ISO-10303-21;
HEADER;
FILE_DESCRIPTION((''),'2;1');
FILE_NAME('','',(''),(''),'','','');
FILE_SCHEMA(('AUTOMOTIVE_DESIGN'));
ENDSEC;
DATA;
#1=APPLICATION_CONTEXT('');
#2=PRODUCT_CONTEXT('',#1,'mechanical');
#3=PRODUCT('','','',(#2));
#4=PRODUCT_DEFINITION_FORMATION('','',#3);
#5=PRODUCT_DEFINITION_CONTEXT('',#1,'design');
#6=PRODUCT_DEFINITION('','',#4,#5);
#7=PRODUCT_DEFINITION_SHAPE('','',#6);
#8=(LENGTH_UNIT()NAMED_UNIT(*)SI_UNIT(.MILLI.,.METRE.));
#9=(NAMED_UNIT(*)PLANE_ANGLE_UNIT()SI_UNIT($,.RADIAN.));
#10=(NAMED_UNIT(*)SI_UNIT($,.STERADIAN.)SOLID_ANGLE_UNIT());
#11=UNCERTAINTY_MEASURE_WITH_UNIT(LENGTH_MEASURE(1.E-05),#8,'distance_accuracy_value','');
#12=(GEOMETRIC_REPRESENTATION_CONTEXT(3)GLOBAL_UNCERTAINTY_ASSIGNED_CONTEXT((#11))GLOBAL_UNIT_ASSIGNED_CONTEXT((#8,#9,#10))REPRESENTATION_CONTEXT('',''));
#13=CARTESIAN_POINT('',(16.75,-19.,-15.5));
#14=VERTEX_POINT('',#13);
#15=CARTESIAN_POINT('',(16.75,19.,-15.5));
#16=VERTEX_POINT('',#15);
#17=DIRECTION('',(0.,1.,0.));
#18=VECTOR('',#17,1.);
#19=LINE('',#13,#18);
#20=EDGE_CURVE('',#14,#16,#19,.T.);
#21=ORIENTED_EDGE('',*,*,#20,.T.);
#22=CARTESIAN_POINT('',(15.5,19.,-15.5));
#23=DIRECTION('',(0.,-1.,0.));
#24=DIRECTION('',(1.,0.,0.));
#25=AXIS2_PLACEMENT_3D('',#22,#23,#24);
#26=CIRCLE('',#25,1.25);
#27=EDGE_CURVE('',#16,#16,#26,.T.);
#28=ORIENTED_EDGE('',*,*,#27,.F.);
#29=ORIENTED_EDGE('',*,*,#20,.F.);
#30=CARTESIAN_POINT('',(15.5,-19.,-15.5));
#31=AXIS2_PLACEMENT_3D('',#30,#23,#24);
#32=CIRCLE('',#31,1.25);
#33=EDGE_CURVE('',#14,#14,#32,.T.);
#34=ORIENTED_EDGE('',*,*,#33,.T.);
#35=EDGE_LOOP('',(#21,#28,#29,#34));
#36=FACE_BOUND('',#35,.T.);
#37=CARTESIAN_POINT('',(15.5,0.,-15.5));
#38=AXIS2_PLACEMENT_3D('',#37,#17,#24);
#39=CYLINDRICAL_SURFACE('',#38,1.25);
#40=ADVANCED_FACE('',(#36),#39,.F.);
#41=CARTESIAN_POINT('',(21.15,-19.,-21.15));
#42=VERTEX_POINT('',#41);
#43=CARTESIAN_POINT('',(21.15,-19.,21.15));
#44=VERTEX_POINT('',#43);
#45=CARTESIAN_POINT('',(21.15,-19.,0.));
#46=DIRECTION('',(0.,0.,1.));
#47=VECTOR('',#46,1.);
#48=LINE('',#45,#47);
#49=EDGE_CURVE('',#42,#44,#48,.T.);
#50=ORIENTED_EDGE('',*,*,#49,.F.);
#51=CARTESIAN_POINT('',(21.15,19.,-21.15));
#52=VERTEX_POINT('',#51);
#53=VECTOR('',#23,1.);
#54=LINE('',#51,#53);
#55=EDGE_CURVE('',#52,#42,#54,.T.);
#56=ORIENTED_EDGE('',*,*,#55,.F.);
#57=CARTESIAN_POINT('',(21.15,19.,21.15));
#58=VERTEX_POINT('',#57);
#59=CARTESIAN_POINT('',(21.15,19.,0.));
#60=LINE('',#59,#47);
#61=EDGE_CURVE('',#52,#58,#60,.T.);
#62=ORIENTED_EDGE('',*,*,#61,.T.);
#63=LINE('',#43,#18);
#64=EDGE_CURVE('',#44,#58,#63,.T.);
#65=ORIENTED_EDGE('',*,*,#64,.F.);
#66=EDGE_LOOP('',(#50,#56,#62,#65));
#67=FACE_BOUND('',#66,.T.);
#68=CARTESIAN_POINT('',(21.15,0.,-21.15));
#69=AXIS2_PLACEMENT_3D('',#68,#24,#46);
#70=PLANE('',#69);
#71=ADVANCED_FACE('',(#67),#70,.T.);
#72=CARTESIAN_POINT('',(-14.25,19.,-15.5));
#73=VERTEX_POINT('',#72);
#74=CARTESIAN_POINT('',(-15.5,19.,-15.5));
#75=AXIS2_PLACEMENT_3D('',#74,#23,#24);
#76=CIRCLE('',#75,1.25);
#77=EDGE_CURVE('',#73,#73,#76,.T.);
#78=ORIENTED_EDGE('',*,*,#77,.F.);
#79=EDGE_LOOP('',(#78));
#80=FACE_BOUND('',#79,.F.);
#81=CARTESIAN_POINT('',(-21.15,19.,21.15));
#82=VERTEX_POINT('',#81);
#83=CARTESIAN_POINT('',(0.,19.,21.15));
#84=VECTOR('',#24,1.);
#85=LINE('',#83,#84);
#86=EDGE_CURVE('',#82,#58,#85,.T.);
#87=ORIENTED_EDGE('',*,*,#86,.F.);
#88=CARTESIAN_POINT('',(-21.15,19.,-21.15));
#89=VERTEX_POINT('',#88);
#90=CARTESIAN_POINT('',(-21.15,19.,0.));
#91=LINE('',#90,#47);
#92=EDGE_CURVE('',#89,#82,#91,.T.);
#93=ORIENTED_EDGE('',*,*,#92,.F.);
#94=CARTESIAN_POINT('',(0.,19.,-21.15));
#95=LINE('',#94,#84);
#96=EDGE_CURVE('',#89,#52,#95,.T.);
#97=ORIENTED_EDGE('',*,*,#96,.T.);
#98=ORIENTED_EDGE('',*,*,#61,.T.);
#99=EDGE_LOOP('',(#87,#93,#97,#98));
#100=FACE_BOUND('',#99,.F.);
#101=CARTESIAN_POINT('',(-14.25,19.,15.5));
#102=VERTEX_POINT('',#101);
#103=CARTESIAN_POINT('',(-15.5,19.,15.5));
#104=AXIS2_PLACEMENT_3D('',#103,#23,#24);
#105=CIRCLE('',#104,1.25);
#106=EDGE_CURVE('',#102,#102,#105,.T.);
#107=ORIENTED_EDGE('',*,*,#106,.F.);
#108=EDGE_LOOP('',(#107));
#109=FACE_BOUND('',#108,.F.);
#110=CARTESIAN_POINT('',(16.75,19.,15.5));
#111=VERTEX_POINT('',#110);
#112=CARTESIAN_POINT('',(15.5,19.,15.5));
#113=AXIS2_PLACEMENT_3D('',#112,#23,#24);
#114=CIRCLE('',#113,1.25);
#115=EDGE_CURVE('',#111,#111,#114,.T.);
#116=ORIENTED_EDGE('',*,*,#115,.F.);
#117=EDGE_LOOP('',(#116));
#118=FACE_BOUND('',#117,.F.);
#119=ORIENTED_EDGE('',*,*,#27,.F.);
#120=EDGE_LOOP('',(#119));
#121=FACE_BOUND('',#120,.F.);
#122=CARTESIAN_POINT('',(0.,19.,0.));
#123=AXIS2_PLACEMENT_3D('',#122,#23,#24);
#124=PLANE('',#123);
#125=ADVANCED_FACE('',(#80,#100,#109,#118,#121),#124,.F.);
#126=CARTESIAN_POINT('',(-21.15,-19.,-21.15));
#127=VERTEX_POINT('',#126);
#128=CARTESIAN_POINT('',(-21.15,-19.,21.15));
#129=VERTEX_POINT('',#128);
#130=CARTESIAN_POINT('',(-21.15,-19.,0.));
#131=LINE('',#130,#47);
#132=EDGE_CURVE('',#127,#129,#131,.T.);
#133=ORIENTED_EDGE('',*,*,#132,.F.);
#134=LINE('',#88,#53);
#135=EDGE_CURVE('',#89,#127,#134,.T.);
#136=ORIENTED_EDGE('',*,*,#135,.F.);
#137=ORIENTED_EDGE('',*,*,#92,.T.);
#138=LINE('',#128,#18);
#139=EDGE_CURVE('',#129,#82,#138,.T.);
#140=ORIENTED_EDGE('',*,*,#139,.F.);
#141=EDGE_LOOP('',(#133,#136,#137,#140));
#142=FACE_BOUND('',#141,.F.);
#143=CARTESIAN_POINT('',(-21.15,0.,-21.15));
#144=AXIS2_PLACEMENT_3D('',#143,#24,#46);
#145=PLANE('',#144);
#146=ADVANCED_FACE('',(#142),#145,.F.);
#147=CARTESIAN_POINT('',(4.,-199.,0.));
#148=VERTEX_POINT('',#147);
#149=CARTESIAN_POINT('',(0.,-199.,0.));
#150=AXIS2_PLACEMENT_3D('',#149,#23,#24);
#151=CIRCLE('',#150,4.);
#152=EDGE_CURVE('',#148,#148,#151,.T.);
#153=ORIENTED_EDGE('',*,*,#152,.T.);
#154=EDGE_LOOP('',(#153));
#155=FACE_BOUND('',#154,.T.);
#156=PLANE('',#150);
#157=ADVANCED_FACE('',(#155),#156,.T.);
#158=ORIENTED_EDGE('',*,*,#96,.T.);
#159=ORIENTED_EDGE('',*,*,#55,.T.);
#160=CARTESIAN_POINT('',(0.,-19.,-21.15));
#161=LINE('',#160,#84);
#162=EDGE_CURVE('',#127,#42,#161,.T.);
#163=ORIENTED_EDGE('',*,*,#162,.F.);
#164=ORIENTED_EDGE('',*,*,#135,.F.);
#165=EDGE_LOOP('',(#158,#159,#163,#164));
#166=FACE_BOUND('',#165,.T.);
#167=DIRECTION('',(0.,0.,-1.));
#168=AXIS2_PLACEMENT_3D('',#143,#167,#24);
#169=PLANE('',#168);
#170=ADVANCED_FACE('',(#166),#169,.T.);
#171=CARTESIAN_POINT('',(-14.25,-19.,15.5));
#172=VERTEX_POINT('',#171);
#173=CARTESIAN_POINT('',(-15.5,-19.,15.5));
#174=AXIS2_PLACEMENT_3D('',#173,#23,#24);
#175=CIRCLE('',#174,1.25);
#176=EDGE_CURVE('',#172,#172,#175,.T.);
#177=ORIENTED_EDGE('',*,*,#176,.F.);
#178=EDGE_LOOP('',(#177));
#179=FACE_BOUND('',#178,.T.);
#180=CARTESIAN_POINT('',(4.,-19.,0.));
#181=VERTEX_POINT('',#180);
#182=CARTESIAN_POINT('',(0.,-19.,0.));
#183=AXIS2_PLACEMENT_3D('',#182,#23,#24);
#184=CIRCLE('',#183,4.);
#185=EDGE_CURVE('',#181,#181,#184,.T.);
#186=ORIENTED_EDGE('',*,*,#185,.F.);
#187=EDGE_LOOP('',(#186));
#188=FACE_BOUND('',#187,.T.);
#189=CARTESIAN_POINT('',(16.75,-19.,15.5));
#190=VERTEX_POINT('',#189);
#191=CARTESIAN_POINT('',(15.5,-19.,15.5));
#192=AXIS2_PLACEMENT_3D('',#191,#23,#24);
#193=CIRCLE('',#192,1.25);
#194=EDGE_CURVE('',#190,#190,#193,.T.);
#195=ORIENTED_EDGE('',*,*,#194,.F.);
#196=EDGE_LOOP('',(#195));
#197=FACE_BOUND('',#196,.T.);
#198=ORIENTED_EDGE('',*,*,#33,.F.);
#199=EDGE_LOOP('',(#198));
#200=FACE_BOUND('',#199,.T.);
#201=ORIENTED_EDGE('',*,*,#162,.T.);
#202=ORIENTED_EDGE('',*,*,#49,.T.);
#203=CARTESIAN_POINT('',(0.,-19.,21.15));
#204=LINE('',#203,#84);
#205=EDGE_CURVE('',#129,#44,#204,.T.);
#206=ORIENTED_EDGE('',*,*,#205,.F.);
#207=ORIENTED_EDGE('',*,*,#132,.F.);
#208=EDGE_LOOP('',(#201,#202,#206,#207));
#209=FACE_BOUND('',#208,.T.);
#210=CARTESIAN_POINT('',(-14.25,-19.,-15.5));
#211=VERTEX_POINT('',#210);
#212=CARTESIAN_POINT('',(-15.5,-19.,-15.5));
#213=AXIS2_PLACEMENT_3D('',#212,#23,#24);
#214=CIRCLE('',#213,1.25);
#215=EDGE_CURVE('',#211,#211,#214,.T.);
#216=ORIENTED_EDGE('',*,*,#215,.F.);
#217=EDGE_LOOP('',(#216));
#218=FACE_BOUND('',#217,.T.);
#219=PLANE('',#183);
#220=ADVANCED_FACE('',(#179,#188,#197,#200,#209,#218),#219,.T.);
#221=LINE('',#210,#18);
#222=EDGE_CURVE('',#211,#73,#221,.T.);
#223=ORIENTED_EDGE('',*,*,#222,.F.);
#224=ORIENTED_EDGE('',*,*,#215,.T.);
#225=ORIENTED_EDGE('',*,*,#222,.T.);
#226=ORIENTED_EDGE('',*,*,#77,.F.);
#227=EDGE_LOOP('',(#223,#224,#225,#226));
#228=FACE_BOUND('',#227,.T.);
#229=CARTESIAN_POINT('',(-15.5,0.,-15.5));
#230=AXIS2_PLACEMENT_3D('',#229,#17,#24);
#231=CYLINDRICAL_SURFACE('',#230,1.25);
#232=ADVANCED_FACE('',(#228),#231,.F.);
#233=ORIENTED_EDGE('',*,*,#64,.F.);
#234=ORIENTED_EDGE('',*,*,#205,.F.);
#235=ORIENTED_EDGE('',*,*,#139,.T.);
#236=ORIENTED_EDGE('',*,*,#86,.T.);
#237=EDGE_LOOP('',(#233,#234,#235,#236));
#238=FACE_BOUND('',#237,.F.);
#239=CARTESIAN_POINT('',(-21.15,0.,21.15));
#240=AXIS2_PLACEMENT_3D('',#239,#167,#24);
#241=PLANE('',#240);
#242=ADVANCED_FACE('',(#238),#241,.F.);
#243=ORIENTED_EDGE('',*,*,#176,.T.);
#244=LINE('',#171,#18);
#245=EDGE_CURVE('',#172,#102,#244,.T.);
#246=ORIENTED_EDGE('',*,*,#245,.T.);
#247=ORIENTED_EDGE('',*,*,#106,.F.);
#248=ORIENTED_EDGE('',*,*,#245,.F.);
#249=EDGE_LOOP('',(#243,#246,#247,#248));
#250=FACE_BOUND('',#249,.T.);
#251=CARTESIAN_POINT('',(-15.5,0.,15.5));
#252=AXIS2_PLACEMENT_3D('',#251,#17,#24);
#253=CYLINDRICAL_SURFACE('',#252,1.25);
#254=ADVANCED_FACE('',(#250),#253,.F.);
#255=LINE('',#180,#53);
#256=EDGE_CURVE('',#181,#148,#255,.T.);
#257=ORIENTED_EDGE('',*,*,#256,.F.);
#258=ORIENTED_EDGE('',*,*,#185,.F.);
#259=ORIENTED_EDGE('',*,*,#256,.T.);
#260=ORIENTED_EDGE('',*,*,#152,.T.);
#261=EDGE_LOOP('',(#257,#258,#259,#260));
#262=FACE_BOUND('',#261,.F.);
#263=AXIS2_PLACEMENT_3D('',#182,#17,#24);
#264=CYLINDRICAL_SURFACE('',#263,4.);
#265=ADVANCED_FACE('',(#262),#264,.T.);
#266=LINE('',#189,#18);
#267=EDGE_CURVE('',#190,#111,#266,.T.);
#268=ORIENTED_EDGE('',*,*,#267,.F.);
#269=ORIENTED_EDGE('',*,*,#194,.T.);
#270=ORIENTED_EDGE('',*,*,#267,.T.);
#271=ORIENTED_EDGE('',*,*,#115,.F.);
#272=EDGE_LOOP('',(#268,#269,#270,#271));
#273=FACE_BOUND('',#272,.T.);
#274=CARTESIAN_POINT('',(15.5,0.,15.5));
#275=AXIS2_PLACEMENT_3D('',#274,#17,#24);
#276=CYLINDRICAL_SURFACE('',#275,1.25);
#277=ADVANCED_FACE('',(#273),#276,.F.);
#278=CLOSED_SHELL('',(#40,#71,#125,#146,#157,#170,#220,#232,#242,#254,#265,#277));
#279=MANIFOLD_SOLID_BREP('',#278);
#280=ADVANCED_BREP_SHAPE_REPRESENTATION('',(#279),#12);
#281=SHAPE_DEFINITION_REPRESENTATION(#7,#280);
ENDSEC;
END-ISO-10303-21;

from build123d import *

# Parameters (mm, degrees)
F0_W     = 42.3
F0_H     = 42.3
F0_R     = 1.25
F1_DEPTH = 19
F2_R     = 4
F3_DEPTH = 180


with BuildPart() as f1:
    # F0 (on Front) → F1 (new body, symmetric)
    with BuildSketch(Plane.XZ):
        Rectangle(F0_W, F0_H)
        with Locations((-15.5, -15.5)):
            Circle(F0_R, mode=Mode.SUBTRACT)
        with Locations((15.5, -15.5)):
            Circle(F0_R, mode=Mode.SUBTRACT)
        with Locations((-15.5, 15.5)):
            Circle(F0_R, mode=Mode.SUBTRACT)
        with Locations((15.5, 15.5)):
            Circle(F0_R, mode=Mode.SUBTRACT)
    extrude(amount=F1_DEPTH, both=True)

    # F2 (on face) → F3 (join)
    with BuildSketch(Plane.XZ.offset(19)):
        Circle(F2_R)
    extrude(amount=F3_DEPTH)


solid = f1.part
